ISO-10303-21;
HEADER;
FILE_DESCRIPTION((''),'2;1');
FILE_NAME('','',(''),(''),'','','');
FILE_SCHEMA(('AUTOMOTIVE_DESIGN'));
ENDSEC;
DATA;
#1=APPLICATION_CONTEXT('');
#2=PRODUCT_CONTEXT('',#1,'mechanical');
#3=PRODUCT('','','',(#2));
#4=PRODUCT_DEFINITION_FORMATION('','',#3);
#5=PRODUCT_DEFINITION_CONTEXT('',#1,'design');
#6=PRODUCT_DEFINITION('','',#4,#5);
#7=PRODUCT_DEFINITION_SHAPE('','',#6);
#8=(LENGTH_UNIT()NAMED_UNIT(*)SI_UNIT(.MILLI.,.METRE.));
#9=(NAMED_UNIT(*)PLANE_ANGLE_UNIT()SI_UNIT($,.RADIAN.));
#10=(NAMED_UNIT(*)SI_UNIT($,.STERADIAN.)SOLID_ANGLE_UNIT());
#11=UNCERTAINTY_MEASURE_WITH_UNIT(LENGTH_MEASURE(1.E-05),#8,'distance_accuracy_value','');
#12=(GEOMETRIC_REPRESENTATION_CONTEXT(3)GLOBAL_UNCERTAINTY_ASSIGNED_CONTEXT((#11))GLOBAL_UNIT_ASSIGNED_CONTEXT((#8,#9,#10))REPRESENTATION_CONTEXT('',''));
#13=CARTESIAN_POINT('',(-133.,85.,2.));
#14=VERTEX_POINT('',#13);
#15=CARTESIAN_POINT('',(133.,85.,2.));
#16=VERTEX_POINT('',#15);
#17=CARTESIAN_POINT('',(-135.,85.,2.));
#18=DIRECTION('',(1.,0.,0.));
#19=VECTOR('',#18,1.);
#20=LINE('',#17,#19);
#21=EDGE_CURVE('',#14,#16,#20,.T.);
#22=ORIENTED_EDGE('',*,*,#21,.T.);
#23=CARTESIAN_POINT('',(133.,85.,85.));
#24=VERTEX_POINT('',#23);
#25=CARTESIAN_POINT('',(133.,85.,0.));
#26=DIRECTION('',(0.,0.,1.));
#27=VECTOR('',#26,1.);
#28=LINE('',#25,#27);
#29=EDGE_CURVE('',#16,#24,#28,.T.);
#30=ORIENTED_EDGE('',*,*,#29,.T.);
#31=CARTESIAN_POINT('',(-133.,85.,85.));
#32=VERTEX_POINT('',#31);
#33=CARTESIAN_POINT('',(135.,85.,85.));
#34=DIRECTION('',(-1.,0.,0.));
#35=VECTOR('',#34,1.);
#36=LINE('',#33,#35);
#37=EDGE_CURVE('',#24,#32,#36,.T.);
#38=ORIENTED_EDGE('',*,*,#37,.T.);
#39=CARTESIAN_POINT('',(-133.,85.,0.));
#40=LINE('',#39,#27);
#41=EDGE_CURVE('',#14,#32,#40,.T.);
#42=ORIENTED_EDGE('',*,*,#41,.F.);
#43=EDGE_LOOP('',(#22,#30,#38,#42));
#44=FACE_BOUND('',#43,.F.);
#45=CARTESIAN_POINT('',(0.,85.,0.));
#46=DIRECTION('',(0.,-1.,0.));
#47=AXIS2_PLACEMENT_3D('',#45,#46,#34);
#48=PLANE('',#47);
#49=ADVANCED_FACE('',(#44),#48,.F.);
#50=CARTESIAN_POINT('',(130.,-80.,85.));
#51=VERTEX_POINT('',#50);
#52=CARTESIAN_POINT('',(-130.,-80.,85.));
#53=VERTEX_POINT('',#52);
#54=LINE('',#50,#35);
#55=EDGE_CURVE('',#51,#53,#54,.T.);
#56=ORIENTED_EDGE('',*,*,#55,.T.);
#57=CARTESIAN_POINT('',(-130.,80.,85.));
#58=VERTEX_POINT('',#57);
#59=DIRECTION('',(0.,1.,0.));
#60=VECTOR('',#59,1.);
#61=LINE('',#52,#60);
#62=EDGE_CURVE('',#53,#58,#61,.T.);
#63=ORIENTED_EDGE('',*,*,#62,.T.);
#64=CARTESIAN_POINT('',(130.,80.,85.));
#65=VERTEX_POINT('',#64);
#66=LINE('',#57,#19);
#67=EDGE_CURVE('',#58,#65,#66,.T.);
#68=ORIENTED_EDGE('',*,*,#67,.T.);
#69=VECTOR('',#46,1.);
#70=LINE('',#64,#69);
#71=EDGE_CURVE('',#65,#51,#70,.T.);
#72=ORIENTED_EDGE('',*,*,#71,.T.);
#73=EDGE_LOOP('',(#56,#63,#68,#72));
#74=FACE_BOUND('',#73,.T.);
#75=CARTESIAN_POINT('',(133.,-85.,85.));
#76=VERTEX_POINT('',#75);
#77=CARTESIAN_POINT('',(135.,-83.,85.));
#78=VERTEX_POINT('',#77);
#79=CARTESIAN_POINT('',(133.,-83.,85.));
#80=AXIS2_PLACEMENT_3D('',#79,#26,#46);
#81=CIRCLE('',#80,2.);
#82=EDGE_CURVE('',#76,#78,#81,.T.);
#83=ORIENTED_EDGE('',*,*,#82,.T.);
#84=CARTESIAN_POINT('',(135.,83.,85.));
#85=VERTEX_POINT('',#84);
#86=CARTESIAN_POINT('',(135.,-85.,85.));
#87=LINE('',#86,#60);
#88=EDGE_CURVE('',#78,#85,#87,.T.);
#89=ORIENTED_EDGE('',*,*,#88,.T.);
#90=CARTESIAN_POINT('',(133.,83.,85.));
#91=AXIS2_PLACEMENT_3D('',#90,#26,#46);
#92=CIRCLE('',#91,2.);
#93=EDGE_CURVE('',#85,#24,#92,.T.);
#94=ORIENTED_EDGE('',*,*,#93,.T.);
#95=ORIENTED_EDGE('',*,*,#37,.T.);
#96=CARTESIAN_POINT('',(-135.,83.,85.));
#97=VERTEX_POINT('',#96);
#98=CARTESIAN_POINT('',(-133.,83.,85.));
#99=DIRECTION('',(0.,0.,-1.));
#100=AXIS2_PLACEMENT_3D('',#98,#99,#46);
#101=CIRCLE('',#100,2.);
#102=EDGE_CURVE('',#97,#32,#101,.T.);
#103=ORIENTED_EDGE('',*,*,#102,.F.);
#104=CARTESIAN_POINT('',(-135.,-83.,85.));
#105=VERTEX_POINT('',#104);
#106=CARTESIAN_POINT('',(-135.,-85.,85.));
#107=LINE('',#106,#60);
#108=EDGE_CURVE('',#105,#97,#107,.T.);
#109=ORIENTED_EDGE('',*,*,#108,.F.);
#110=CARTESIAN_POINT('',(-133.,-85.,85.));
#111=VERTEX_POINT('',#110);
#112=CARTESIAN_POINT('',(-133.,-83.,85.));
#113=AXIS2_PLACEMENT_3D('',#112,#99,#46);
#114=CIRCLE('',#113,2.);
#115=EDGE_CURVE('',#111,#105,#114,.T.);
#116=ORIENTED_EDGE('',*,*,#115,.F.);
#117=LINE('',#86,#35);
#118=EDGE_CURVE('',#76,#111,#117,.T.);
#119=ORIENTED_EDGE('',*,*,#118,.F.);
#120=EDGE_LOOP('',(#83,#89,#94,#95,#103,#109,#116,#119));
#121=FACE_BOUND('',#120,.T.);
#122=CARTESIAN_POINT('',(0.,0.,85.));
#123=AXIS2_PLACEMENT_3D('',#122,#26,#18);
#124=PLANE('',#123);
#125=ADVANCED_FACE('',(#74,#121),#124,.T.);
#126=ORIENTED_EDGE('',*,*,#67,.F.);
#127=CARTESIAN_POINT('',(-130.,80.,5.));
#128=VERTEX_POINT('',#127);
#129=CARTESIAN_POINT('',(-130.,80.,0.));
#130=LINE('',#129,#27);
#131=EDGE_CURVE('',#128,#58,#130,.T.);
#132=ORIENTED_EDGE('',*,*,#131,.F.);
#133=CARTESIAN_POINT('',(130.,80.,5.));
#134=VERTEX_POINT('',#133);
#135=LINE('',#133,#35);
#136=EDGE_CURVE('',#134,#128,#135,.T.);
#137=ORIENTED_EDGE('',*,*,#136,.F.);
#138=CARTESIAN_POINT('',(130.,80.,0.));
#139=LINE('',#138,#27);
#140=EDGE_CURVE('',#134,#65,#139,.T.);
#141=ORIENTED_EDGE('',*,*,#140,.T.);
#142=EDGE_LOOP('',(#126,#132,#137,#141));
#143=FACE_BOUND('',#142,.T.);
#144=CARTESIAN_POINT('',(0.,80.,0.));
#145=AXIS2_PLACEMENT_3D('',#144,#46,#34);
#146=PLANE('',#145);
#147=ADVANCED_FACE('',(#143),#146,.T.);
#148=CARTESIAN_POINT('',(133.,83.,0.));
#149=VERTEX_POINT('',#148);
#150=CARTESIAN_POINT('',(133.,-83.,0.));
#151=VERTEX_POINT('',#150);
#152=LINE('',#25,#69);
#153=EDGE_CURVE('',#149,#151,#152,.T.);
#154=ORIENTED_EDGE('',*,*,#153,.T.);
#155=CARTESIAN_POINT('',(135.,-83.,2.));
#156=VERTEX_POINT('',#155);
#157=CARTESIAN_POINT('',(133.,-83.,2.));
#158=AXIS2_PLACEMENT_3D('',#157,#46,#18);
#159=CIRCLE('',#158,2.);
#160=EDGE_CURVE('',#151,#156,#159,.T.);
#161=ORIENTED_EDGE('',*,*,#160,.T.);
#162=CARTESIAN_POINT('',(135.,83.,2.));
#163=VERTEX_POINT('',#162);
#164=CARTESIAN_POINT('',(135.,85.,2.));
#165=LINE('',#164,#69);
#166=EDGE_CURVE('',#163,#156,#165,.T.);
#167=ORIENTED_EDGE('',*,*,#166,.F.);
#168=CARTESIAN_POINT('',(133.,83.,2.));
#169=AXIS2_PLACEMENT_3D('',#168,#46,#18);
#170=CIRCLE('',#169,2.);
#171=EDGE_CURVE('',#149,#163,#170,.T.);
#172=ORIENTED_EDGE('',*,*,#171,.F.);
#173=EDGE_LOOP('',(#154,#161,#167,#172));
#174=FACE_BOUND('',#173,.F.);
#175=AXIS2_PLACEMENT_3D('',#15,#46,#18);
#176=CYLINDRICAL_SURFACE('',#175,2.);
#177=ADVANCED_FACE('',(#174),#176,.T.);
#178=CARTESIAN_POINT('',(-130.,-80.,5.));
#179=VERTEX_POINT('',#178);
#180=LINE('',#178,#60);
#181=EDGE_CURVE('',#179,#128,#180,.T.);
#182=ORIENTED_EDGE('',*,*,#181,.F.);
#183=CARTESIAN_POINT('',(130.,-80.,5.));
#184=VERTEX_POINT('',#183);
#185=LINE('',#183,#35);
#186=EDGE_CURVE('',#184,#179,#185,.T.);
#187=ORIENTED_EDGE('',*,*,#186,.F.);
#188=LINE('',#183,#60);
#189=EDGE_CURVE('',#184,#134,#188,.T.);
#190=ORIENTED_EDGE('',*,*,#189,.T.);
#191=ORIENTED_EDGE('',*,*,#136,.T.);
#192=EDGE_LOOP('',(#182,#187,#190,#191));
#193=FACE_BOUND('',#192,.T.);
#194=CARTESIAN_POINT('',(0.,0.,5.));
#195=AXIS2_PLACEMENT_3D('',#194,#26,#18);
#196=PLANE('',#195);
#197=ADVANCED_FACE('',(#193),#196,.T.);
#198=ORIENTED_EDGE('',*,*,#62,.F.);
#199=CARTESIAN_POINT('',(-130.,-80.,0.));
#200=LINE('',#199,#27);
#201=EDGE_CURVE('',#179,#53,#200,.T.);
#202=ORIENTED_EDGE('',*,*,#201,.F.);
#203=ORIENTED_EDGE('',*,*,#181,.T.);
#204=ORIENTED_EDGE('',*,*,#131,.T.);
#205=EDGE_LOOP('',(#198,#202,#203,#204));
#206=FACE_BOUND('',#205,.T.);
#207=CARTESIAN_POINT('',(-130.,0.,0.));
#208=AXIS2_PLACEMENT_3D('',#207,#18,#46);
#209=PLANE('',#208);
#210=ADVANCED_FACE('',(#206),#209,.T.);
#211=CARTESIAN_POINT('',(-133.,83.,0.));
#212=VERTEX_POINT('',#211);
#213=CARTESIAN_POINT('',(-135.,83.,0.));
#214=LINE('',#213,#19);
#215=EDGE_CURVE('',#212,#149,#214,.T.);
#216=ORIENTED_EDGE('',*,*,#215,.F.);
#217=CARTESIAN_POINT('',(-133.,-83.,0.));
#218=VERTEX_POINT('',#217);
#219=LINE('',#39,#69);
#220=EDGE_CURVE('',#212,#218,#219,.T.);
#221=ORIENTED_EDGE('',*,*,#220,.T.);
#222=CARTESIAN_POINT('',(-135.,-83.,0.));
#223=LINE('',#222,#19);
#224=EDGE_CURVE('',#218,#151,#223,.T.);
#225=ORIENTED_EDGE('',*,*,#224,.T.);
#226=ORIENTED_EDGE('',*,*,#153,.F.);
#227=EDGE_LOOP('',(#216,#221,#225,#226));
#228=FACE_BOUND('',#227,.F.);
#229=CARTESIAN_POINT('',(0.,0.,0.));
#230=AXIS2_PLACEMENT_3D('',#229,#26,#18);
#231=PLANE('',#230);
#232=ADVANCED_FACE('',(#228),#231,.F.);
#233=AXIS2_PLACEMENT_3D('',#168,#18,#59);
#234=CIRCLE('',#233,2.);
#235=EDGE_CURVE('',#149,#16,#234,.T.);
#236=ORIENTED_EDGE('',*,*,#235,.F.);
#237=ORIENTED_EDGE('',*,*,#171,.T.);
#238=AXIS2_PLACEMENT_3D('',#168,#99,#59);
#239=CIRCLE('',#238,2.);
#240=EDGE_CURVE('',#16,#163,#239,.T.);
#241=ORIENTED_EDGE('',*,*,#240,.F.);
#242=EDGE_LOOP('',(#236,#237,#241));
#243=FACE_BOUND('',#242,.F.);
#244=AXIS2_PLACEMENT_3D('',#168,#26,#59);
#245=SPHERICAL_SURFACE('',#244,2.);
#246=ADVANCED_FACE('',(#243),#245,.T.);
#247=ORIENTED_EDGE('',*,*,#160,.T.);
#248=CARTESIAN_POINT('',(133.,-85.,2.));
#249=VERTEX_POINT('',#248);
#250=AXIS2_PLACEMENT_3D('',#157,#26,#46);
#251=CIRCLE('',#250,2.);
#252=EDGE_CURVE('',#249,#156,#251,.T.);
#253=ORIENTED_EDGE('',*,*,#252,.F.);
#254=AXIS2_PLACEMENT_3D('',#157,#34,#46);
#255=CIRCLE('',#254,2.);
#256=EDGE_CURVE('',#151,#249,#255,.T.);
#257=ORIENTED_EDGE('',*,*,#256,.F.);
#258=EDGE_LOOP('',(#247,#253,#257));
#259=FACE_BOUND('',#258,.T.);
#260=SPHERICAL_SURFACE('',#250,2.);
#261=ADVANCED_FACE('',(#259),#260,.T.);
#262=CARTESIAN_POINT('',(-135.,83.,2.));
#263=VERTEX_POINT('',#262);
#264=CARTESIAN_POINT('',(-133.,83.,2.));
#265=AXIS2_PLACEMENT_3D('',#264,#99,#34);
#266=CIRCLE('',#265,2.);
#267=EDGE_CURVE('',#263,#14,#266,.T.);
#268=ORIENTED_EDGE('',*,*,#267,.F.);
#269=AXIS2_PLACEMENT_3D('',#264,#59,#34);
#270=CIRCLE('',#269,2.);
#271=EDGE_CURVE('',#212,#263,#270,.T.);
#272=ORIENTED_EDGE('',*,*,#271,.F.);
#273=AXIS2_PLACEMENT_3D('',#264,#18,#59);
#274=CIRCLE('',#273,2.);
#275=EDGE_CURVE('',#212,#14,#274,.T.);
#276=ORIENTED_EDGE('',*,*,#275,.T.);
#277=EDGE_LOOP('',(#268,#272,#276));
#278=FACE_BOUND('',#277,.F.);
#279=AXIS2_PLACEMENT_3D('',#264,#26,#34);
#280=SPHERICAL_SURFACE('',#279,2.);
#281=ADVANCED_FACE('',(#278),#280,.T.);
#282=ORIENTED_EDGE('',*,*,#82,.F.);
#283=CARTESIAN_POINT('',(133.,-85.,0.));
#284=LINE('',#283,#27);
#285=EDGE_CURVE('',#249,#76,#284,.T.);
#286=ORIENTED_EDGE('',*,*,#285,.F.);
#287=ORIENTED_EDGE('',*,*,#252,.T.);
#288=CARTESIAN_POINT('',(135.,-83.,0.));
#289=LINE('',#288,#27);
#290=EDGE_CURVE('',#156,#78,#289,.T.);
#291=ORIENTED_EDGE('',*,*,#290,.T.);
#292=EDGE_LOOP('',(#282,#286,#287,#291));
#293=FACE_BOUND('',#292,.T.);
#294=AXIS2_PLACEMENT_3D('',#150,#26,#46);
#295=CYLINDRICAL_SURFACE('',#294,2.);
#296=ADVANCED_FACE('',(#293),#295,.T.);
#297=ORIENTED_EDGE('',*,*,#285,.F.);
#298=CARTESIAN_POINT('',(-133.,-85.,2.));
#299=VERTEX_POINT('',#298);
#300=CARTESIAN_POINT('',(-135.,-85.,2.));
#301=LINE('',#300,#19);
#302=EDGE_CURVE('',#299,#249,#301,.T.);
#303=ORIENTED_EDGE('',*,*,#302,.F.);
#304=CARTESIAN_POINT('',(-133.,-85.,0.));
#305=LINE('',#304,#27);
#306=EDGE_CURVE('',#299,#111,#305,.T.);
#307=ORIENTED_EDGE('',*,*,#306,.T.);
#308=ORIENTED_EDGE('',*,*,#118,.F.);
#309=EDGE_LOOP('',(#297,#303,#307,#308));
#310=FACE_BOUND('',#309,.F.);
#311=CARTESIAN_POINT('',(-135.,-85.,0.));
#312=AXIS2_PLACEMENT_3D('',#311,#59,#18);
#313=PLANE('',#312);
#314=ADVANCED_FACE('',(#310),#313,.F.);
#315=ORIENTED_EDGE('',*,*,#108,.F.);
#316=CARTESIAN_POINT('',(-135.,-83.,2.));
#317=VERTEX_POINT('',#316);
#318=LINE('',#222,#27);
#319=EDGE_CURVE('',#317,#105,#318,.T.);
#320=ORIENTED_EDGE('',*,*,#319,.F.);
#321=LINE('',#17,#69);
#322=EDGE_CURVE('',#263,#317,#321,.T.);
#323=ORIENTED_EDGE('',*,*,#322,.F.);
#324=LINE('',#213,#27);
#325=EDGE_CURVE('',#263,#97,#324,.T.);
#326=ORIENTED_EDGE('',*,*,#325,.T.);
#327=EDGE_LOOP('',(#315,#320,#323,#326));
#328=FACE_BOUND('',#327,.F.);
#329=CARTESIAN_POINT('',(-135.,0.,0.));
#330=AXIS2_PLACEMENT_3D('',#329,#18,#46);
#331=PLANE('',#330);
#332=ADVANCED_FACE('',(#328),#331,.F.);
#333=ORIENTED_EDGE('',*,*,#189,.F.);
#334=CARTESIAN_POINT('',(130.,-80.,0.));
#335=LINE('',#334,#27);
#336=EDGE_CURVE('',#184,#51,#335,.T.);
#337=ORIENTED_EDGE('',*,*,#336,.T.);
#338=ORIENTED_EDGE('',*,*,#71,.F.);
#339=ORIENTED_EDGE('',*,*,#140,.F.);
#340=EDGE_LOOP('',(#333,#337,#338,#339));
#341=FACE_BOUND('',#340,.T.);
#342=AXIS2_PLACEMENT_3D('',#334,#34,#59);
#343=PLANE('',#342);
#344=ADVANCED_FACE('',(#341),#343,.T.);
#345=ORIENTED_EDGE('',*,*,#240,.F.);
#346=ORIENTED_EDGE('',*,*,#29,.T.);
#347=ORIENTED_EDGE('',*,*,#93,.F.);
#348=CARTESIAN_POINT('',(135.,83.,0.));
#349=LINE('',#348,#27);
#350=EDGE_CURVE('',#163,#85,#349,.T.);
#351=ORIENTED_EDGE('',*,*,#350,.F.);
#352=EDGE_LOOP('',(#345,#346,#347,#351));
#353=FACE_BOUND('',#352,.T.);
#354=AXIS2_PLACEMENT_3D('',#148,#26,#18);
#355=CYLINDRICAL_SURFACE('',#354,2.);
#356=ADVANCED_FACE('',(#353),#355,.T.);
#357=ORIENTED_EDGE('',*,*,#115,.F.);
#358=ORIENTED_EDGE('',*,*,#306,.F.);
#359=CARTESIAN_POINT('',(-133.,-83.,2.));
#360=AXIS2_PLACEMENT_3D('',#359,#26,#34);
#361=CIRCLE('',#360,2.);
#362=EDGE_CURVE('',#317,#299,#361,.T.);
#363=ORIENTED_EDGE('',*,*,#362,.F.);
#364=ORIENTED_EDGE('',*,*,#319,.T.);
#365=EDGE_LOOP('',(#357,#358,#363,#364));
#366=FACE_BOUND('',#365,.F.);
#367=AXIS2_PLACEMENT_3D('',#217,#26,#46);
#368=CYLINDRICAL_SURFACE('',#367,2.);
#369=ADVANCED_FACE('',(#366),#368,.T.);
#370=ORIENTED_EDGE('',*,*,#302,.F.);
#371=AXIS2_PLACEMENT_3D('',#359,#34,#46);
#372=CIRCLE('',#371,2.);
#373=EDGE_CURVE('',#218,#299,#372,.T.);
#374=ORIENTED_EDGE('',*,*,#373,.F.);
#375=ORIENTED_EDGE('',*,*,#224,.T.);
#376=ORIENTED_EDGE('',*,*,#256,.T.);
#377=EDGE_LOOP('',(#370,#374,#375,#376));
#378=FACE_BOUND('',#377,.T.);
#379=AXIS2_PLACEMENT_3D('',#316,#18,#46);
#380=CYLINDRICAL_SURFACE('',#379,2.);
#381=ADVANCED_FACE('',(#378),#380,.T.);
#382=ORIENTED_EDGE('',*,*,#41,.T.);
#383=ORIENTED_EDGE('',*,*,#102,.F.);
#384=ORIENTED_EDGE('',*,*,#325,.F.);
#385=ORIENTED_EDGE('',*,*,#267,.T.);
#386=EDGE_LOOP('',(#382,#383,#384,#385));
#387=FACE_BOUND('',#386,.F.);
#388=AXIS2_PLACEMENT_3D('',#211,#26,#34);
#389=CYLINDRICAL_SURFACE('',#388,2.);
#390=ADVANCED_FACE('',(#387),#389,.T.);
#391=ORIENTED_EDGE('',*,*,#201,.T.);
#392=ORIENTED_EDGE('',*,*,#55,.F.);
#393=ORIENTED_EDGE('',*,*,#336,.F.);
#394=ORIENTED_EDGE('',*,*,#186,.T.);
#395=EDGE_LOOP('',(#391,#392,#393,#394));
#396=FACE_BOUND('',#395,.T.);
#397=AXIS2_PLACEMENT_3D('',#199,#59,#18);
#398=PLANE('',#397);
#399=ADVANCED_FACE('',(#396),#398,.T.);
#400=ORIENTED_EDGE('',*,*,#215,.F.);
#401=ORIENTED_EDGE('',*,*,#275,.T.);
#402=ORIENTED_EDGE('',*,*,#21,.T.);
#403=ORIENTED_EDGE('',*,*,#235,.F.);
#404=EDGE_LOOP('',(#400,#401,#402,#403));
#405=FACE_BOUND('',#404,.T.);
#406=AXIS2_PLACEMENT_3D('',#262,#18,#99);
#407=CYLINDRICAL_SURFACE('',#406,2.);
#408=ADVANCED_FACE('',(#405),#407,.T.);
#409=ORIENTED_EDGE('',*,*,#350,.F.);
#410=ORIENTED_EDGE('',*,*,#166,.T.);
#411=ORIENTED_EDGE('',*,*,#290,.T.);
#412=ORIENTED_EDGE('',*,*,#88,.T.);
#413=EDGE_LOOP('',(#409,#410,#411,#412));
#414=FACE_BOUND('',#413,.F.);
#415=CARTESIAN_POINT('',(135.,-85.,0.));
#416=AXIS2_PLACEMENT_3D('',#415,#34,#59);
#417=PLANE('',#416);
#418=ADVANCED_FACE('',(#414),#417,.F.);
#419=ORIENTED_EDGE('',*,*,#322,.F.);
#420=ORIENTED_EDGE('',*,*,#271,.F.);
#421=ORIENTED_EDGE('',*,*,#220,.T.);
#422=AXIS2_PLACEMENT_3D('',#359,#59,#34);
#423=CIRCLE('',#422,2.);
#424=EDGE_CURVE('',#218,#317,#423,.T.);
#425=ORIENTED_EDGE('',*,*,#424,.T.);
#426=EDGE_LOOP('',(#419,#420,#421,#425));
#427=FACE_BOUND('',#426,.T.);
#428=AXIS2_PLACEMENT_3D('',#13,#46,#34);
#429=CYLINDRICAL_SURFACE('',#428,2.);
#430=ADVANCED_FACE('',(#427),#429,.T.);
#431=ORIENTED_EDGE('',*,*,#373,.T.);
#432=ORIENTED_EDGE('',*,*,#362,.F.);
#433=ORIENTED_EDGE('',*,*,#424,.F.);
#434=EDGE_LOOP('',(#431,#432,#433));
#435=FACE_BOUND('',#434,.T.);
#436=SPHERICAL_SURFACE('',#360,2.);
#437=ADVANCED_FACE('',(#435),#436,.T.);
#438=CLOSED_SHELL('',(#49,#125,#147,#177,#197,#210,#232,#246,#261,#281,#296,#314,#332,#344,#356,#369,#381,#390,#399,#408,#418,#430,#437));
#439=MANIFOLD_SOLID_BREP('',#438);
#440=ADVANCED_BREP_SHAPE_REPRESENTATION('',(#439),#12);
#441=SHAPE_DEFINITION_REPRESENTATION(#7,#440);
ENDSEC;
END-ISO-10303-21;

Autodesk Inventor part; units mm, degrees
ref_plane "YZ Plane" through (0, 0, 0) normal (1, 0, 0) x (0, 1, 0)
ref_plane "XZ Plane" through (0, 0, 0) normal (0, 1, 0) x (-1, 0, 0)
ref_plane "XY Plane" through (0, 0, 0) normal (0, 0, 1) x (1, 0, 0)
sketch "Sketch3" plane through (0, 0, 0) normal (0, 0, 1) x (1, 0, 0)
  line L0 (0, -119) -> (0, 119) projected
  line L1 (-189, 0) -> (189, 0) projected
  line L2 (-135, -85) -> (135, -85)
  line L3 (135, -85) -> (135, 85)
  line L4 (135, 85) -> (-135, 85)
  line L5 (-135, 85) -> (-135, -85)
  line L6 (-135, -85) -> (135, 85) construction
  line L7 (135, -85) -> (-135, 85) construction
  line L8 (-130, -80) -> (130, -80)
  line L9 (130, -80) -> (130, 80)
  line L10 (130, 80) -> (-130, 80)
  line L11 (-130, 80) -> (-130, -80)
  line L12 (-130, -80) -> (130, 80) construction
  line L13 (130, -80) -> (-130, 80) construction
  point P0 (0, 0)
  dimension "d0" = 270
  dimension "d1" = 170
  dimension "d2" = 260
  dimension "d3" = 160
extrude "Extrusion1" add sketch "Sketch3" along normal blind 85 contours L2 L5 L1 L11 L8 L0 | L0 L8 L9 L1 L3 L2 | L5 L4 L0 L10 L11 L1 | L1 L9 L10 L0 L4 L3
extrude "Extrusion2" add sketch "Sketch3" along normal blind 5 contours L8 L11 L1 L0 | L0 L1 L9 L8 | L1 L11 L10 L0 | L0 L10 L9 L1
fillet "Fillet1" radius 2 8 edges at (135, -85, 42.5) (135, 85, 42.5) (-135, 85, 42.5) (-135, -85, 42.5) (-135, 0, 0) (0, 85, 0) (0, -85, 0) (135, 0, 0)
equation "\"BendRadius\" = Thickness"
equation "\"BendReliefWidth\" = Thickness"
equation "\"BendReliefDepth\" = 0.5 * Thickness"
equation "\"CornerReliefSize\" = 4 * Thickness"
equation "\"MinimumRemnant\" = 2 * Thickness"
equation "\"TransitionRadius\" = BendRadius"
equation "\"JacobiRadiusSize\" = BendRadius"
equation "\"GapSize\" = Thickness"
equation "\"Thickness\" = 0.5"
properties part number "Batterybox"
